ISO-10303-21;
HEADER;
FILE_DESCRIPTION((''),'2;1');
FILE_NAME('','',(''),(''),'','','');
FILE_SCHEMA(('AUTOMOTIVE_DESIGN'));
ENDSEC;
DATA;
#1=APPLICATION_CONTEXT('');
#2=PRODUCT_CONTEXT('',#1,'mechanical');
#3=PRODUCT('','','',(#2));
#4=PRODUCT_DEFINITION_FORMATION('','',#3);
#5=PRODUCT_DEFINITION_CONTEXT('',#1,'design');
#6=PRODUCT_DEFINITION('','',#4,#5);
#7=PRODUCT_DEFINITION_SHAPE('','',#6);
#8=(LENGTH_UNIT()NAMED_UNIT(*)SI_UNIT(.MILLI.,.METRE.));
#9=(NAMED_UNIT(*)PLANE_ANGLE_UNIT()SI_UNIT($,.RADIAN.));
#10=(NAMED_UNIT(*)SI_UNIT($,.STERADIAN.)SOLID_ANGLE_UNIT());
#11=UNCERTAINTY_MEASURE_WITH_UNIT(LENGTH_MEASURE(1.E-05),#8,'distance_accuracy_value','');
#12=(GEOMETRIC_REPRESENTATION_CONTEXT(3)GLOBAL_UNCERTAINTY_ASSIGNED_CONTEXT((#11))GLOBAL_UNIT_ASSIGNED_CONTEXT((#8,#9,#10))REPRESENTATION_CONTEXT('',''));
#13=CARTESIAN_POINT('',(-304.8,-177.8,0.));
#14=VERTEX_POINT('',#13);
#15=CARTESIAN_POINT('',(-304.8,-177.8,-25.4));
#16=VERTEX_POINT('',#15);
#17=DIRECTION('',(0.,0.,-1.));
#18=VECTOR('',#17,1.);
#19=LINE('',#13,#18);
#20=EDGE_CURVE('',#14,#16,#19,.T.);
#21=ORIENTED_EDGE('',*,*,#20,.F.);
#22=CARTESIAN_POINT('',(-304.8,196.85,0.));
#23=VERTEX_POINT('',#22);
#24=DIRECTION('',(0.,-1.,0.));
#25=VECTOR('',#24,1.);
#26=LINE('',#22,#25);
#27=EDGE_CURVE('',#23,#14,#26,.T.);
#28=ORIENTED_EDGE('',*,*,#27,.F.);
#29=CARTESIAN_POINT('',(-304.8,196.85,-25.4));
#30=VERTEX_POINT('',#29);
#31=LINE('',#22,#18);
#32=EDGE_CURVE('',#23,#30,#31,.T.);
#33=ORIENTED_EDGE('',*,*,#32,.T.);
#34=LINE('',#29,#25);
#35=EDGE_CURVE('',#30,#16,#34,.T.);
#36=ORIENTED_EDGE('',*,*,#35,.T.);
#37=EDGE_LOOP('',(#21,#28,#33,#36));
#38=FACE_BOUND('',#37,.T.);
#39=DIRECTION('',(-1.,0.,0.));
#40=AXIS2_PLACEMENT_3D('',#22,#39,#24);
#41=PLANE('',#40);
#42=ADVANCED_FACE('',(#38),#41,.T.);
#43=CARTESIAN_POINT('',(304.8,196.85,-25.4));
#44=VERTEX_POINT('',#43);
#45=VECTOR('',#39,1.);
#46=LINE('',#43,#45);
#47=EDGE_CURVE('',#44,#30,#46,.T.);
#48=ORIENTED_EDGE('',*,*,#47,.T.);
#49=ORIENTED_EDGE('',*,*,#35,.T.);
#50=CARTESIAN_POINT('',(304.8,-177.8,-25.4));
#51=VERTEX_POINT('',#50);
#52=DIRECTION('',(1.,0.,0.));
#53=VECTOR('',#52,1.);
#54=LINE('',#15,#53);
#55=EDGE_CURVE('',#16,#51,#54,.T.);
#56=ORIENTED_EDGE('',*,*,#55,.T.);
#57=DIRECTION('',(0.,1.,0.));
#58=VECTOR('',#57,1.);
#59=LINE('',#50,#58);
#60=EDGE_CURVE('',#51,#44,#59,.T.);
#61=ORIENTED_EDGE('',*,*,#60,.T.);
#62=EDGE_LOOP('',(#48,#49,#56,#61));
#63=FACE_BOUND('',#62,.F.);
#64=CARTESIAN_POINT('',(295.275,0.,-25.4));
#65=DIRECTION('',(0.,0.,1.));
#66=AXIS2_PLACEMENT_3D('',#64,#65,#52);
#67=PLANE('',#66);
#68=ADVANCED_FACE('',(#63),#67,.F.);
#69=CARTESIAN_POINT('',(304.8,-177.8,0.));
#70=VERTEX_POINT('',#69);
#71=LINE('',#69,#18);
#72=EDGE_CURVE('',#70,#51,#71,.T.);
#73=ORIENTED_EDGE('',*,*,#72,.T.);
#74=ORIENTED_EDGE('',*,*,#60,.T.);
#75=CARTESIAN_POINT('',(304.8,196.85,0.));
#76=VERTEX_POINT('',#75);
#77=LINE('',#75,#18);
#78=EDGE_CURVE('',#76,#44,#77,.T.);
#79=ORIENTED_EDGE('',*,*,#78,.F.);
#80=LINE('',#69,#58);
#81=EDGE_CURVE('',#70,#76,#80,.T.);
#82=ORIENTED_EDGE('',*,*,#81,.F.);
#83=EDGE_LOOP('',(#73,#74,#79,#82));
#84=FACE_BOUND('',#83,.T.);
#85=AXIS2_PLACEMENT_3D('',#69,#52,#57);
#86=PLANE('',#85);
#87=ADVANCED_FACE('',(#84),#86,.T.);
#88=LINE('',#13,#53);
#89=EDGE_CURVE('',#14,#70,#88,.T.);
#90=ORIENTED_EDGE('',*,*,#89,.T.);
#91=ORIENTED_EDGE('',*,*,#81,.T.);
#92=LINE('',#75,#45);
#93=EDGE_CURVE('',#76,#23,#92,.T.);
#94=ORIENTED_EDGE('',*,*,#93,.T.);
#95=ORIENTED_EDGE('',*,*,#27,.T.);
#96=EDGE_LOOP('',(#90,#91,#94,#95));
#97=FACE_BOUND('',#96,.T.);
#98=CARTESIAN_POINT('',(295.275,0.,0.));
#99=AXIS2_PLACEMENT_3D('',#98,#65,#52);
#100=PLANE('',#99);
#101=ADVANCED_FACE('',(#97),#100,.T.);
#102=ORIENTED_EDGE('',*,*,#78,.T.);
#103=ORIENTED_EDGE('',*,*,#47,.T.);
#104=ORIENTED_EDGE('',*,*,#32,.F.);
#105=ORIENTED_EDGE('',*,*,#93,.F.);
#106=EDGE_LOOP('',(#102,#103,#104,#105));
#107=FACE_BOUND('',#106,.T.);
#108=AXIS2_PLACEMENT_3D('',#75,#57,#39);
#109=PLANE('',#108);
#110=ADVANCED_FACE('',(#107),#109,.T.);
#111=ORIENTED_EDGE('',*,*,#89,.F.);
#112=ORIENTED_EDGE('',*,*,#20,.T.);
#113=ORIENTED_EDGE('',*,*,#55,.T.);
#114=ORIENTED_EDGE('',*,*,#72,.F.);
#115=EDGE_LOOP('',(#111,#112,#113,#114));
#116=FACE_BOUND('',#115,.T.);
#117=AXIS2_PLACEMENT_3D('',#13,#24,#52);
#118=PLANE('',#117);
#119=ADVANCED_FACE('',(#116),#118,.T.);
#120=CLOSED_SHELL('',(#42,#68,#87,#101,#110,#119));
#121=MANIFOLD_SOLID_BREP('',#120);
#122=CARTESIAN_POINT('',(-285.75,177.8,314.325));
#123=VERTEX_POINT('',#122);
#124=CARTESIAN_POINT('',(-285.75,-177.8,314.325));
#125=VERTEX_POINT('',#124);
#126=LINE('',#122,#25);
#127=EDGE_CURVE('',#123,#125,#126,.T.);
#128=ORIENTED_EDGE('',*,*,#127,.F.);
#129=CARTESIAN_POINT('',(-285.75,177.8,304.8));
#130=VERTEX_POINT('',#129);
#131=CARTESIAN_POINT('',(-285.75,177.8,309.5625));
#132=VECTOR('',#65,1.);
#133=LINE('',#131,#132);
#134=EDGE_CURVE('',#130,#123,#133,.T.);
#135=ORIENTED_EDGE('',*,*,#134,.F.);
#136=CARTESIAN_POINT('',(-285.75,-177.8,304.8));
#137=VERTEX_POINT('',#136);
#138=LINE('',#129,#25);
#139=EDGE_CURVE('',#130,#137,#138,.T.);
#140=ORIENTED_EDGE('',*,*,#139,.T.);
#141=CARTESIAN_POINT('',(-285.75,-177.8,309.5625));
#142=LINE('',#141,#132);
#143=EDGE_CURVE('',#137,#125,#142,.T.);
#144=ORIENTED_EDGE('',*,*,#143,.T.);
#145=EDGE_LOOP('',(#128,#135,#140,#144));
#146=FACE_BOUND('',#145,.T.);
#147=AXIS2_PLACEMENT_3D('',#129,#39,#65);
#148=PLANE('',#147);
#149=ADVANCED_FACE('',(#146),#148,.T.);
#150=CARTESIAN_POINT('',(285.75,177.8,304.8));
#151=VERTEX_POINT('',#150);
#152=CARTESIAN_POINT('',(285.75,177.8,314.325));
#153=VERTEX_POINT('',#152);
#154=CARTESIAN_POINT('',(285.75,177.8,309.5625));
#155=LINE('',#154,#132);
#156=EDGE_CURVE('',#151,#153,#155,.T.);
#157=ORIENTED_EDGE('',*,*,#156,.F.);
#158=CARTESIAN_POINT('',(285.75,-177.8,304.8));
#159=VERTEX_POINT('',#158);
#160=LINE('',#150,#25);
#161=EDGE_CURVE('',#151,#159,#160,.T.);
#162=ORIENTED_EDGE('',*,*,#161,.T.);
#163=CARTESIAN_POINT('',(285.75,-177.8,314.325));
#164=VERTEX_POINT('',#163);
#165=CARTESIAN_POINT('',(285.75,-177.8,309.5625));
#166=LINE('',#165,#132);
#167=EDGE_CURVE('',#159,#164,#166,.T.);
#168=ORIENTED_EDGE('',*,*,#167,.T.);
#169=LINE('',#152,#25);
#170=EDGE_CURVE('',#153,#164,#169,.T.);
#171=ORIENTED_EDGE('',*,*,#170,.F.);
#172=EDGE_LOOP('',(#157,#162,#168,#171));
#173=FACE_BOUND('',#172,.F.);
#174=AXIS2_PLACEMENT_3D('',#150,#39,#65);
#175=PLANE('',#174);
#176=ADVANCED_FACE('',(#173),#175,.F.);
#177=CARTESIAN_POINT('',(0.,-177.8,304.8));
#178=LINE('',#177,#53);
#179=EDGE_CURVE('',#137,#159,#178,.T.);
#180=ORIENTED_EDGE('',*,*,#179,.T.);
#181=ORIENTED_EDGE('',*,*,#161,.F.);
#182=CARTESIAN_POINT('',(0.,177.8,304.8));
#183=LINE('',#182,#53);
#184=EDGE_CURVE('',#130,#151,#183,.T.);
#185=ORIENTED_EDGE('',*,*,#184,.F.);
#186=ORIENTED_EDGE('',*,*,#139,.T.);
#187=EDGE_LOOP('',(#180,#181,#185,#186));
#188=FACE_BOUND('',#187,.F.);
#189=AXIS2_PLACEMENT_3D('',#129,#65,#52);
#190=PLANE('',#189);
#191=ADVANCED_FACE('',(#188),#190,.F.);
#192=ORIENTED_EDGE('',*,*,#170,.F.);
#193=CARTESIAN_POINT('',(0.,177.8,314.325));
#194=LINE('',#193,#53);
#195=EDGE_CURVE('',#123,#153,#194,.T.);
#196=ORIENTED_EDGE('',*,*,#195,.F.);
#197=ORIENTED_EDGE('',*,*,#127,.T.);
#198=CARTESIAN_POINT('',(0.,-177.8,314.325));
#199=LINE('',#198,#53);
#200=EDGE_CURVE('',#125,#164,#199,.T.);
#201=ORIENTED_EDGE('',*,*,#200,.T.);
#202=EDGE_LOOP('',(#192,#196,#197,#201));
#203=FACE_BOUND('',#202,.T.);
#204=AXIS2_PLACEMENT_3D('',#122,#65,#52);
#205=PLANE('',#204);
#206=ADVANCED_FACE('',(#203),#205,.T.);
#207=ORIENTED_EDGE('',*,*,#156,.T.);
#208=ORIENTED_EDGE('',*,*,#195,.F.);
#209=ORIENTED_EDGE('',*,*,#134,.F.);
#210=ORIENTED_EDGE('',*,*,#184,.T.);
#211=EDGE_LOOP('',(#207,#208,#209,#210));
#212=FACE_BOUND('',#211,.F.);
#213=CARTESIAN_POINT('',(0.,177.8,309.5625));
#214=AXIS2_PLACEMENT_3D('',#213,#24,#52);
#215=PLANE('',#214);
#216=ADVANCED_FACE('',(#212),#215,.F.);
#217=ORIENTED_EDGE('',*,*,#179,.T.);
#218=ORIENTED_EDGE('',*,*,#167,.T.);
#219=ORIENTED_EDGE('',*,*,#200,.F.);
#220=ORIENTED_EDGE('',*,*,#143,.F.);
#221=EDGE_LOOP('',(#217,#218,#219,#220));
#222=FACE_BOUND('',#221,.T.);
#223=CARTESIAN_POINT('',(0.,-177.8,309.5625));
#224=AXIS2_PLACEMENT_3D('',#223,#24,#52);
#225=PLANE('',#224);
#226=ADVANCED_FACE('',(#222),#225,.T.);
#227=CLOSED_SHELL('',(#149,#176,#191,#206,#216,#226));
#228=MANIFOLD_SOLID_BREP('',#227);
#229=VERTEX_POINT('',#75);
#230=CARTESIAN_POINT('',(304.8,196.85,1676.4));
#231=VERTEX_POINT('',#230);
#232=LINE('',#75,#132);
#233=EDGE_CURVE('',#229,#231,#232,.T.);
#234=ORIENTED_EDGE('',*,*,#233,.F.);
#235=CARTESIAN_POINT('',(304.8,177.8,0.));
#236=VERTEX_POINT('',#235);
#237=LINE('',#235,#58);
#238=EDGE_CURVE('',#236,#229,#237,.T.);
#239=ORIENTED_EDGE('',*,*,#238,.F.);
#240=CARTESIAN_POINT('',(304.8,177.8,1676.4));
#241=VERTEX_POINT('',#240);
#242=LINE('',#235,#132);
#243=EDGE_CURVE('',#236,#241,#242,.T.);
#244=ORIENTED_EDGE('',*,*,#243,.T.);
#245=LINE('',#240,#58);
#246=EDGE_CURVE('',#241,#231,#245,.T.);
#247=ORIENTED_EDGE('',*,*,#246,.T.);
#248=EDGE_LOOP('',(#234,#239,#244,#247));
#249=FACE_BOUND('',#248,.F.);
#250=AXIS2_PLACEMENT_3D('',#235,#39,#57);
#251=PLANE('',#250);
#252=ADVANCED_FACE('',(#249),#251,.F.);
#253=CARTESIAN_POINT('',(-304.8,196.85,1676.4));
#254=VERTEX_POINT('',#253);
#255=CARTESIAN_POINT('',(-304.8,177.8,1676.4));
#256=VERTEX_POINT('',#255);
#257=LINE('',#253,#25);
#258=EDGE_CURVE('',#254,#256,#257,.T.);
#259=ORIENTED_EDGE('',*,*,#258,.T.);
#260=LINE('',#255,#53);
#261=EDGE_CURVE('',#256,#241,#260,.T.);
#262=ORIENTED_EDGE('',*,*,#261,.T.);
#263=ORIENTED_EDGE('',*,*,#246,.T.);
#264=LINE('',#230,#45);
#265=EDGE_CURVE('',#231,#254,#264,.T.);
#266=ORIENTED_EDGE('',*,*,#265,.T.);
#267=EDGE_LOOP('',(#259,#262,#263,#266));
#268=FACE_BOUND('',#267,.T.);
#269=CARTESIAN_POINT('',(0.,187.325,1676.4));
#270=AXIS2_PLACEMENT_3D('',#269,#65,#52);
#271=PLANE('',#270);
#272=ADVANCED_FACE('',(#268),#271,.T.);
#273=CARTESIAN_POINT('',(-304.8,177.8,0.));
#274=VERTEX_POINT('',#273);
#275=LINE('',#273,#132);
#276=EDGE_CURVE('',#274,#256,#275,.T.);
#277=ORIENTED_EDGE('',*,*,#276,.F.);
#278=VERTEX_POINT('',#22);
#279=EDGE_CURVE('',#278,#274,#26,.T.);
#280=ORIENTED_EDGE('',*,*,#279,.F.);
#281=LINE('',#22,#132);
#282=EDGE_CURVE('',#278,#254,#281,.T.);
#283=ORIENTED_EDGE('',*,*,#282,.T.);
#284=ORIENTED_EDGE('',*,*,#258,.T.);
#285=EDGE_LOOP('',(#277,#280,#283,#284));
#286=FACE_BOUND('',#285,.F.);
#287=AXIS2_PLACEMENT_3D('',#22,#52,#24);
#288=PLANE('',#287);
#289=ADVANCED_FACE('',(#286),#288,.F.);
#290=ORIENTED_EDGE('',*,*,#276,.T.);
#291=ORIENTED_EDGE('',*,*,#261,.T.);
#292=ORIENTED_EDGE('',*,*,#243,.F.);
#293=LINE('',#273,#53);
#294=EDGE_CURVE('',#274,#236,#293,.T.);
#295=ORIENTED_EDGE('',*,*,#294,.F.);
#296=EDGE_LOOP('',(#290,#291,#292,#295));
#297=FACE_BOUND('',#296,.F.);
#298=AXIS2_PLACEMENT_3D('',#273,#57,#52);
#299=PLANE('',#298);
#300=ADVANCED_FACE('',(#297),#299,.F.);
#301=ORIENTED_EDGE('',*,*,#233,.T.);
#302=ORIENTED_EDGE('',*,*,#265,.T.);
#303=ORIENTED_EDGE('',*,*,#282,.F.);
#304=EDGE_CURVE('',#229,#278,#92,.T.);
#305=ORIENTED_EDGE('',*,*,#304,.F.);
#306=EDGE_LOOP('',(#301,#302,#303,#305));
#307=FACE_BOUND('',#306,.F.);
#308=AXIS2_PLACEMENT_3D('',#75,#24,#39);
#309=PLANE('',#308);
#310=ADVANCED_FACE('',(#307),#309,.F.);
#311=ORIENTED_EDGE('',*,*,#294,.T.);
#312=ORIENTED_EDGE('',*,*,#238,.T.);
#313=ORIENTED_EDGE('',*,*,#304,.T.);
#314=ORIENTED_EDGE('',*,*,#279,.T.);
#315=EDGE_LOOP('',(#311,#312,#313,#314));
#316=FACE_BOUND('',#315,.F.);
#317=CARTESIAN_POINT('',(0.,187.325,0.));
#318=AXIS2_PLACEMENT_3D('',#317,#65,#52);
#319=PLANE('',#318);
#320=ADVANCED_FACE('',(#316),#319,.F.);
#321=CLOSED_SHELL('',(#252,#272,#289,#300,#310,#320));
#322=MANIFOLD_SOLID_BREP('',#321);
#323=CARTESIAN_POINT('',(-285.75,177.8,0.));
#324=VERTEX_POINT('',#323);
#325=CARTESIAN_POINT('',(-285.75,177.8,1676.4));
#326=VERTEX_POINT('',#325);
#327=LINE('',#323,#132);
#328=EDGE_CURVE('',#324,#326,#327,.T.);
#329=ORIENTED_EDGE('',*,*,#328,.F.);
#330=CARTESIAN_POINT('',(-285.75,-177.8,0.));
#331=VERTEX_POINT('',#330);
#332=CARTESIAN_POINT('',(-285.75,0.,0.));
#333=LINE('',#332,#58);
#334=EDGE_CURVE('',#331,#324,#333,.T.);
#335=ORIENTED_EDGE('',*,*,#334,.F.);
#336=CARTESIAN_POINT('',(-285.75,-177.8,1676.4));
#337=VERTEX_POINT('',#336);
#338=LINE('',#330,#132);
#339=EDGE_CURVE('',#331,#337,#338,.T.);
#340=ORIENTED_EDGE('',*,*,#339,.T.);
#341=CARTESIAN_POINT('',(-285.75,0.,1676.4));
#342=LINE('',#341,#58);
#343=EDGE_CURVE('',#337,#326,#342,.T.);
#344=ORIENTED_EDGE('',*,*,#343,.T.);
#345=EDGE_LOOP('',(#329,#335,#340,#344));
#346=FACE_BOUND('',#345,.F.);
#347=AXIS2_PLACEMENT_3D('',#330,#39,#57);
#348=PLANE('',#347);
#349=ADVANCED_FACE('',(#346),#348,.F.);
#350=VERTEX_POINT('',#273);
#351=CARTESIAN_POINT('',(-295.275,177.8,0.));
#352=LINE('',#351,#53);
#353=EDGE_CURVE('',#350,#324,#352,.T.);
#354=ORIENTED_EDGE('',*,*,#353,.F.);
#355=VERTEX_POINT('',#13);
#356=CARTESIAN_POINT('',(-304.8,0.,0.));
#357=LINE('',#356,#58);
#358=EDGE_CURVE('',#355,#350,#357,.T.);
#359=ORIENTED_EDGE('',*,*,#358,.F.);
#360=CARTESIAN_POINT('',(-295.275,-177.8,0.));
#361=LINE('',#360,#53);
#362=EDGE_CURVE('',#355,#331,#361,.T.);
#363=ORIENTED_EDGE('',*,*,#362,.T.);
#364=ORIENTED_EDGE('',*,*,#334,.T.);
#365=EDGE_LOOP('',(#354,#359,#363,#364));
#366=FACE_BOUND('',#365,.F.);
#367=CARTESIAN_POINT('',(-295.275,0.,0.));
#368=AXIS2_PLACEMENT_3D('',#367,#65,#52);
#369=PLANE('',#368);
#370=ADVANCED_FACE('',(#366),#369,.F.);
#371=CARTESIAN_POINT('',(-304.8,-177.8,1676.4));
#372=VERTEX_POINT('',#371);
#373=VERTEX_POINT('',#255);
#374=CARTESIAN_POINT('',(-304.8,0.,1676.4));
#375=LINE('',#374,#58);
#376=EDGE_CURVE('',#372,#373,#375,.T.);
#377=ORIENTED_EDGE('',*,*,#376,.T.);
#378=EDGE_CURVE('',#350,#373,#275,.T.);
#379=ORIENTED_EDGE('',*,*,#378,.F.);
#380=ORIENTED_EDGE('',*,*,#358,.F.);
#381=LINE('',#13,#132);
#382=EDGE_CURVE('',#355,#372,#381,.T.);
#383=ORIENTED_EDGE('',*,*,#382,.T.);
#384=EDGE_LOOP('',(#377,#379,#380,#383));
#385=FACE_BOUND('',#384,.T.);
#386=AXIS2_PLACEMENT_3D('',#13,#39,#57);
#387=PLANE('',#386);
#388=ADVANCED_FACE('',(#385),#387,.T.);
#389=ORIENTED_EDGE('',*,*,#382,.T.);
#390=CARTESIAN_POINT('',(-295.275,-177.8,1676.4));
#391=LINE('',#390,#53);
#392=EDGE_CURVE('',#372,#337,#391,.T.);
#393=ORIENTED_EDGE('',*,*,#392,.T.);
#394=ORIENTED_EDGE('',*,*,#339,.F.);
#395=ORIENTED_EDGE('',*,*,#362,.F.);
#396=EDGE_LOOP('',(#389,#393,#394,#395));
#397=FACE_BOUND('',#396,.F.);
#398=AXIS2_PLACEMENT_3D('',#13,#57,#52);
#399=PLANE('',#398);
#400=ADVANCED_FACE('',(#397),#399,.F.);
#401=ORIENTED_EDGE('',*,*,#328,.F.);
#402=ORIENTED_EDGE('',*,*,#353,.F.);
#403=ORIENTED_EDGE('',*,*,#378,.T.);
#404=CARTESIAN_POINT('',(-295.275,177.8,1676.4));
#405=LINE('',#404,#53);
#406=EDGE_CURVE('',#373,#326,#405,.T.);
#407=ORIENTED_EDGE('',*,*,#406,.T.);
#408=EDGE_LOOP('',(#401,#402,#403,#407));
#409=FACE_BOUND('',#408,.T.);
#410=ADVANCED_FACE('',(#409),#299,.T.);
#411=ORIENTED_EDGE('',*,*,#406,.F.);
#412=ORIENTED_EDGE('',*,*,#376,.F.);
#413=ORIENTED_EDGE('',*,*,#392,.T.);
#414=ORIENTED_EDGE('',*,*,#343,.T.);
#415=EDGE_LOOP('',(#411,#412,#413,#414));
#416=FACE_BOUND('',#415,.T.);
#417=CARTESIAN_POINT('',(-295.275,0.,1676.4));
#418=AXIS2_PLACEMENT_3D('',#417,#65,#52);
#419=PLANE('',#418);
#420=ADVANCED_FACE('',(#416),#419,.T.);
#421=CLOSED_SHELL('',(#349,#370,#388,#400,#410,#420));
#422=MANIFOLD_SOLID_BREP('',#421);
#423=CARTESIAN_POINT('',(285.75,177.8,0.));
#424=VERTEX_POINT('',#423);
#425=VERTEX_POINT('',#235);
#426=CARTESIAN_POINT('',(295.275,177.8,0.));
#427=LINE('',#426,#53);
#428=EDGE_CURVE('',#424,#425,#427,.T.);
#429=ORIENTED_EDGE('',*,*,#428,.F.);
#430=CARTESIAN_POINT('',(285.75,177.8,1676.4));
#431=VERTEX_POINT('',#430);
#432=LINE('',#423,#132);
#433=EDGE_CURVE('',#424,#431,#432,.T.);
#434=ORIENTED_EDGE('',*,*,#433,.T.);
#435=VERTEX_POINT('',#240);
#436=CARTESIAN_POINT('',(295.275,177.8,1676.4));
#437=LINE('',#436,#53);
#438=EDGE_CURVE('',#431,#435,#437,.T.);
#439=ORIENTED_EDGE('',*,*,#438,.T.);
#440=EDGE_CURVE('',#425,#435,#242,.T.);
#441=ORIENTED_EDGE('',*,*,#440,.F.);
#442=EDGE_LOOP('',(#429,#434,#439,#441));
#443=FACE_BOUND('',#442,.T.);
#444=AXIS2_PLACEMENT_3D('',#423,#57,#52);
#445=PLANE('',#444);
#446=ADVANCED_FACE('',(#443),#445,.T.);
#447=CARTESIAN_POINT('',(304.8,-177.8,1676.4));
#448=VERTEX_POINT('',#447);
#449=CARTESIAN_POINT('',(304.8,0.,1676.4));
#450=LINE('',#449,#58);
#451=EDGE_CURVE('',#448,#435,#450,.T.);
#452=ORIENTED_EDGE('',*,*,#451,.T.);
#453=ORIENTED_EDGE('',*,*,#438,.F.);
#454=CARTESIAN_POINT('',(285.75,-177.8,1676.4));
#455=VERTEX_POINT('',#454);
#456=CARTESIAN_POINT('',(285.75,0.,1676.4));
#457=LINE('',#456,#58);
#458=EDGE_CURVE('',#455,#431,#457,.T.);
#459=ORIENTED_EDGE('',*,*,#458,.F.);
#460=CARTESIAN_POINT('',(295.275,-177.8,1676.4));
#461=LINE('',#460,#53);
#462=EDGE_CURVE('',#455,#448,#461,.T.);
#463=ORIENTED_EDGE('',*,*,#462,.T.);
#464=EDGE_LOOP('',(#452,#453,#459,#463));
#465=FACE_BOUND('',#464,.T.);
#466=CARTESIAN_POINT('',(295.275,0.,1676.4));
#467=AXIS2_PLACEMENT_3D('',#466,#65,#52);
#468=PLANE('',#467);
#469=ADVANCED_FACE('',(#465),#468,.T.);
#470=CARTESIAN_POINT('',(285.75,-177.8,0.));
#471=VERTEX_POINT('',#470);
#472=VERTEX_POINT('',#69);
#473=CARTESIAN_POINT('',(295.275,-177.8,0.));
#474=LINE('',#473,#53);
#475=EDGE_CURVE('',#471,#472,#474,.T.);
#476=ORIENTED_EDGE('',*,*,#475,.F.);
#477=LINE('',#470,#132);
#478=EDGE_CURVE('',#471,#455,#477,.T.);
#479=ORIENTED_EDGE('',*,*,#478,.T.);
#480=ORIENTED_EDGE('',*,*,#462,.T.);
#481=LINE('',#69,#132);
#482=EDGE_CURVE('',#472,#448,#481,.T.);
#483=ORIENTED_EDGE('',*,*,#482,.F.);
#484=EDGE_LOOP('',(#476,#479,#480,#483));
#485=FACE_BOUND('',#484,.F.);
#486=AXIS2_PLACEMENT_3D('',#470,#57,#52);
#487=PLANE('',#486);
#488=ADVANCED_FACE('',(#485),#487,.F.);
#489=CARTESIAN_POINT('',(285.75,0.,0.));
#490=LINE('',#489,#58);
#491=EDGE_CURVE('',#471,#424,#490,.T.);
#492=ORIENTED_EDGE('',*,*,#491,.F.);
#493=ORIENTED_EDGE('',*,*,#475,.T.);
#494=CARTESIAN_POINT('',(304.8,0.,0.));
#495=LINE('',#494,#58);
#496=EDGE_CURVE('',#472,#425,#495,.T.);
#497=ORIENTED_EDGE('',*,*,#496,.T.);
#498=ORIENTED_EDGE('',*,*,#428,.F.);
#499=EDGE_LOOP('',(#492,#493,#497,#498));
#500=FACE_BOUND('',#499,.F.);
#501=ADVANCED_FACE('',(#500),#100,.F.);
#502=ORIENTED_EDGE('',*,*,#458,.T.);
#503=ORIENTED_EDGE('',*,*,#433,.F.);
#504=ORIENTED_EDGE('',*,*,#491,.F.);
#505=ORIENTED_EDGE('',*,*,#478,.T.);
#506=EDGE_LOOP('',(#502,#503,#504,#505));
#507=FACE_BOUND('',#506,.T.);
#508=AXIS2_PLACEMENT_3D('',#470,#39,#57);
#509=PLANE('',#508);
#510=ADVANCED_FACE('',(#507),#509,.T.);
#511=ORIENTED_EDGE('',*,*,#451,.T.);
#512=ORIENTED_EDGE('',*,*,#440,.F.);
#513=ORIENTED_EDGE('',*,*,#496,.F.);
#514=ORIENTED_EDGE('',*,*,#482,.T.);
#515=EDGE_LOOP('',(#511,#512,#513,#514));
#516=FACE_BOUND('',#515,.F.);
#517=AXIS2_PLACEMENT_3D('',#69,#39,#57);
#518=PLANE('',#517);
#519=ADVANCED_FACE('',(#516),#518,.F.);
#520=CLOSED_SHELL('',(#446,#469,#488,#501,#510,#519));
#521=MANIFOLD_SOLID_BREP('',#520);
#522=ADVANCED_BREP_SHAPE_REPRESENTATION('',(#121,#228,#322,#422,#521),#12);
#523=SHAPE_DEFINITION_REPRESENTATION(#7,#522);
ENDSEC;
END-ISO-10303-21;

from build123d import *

# Parameters (mm, degrees)
F1_DEPTH = 1676.4
F0_W     = 19.05
F0_H     = 355.6
F2_DEPTH = 1676.4
F0_W_2   = 571.5
F3_DEPTH = 25.4
F4_W     = 571.5
F4_H     = 9.525
F5_DEPTH = 355.6


with BuildPart() as f1:
    # F0 (on Top) → F1 (new body)
    with BuildSketch(Plane.XY):
        Polygon((285.75, 177.8), (304.8, 177.8), (304.8, 196.85), (-304.8, 196.85), (-304.8, 177.8), (-285.75, 177.8), align=None)
    extrude(amount=F1_DEPTH)


with BuildPart() as f2:
    # F0 (on Top) → F2 (new body)
    with BuildSketch(Plane.XY):
        with Locations((-295.275, 0)):
            Rectangle(F0_W, F0_H)
        with Locations((295.275, 0)):
            Rectangle(F0_W, F0_H)
    extrude(amount=F2_DEPTH)


with BuildPart() as f3:
    # F0 (on Top) → F3 (new body)
    with BuildSketch(Plane.XY):
        with Locations((295.275, 0)):
            Rectangle(F0_W, F0_H)
        Polygon((285.75, 177.8), (304.8, 177.8), (304.8, 196.85), (-304.8, 196.85), (-304.8, 177.8), (-285.75, 177.8), align=None)
        Rectangle(F0_W_2, F0_H)
        with Locations((-295.275, 0)):
            Rectangle(F0_W, F0_H)
    extrude(amount=-F3_DEPTH)


with BuildPart() as f5:
    # F4 (on face) → F5 (new body, through all)
    with BuildSketch(Plane.XZ.offset(-177.8)):
        with Locations((0, 309.5625)):
            Rectangle(F4_W, F4_H)
    extrude(amount=F5_DEPTH)


solid = Compound([f1.part, f2.part, f3.part, f5.part])
